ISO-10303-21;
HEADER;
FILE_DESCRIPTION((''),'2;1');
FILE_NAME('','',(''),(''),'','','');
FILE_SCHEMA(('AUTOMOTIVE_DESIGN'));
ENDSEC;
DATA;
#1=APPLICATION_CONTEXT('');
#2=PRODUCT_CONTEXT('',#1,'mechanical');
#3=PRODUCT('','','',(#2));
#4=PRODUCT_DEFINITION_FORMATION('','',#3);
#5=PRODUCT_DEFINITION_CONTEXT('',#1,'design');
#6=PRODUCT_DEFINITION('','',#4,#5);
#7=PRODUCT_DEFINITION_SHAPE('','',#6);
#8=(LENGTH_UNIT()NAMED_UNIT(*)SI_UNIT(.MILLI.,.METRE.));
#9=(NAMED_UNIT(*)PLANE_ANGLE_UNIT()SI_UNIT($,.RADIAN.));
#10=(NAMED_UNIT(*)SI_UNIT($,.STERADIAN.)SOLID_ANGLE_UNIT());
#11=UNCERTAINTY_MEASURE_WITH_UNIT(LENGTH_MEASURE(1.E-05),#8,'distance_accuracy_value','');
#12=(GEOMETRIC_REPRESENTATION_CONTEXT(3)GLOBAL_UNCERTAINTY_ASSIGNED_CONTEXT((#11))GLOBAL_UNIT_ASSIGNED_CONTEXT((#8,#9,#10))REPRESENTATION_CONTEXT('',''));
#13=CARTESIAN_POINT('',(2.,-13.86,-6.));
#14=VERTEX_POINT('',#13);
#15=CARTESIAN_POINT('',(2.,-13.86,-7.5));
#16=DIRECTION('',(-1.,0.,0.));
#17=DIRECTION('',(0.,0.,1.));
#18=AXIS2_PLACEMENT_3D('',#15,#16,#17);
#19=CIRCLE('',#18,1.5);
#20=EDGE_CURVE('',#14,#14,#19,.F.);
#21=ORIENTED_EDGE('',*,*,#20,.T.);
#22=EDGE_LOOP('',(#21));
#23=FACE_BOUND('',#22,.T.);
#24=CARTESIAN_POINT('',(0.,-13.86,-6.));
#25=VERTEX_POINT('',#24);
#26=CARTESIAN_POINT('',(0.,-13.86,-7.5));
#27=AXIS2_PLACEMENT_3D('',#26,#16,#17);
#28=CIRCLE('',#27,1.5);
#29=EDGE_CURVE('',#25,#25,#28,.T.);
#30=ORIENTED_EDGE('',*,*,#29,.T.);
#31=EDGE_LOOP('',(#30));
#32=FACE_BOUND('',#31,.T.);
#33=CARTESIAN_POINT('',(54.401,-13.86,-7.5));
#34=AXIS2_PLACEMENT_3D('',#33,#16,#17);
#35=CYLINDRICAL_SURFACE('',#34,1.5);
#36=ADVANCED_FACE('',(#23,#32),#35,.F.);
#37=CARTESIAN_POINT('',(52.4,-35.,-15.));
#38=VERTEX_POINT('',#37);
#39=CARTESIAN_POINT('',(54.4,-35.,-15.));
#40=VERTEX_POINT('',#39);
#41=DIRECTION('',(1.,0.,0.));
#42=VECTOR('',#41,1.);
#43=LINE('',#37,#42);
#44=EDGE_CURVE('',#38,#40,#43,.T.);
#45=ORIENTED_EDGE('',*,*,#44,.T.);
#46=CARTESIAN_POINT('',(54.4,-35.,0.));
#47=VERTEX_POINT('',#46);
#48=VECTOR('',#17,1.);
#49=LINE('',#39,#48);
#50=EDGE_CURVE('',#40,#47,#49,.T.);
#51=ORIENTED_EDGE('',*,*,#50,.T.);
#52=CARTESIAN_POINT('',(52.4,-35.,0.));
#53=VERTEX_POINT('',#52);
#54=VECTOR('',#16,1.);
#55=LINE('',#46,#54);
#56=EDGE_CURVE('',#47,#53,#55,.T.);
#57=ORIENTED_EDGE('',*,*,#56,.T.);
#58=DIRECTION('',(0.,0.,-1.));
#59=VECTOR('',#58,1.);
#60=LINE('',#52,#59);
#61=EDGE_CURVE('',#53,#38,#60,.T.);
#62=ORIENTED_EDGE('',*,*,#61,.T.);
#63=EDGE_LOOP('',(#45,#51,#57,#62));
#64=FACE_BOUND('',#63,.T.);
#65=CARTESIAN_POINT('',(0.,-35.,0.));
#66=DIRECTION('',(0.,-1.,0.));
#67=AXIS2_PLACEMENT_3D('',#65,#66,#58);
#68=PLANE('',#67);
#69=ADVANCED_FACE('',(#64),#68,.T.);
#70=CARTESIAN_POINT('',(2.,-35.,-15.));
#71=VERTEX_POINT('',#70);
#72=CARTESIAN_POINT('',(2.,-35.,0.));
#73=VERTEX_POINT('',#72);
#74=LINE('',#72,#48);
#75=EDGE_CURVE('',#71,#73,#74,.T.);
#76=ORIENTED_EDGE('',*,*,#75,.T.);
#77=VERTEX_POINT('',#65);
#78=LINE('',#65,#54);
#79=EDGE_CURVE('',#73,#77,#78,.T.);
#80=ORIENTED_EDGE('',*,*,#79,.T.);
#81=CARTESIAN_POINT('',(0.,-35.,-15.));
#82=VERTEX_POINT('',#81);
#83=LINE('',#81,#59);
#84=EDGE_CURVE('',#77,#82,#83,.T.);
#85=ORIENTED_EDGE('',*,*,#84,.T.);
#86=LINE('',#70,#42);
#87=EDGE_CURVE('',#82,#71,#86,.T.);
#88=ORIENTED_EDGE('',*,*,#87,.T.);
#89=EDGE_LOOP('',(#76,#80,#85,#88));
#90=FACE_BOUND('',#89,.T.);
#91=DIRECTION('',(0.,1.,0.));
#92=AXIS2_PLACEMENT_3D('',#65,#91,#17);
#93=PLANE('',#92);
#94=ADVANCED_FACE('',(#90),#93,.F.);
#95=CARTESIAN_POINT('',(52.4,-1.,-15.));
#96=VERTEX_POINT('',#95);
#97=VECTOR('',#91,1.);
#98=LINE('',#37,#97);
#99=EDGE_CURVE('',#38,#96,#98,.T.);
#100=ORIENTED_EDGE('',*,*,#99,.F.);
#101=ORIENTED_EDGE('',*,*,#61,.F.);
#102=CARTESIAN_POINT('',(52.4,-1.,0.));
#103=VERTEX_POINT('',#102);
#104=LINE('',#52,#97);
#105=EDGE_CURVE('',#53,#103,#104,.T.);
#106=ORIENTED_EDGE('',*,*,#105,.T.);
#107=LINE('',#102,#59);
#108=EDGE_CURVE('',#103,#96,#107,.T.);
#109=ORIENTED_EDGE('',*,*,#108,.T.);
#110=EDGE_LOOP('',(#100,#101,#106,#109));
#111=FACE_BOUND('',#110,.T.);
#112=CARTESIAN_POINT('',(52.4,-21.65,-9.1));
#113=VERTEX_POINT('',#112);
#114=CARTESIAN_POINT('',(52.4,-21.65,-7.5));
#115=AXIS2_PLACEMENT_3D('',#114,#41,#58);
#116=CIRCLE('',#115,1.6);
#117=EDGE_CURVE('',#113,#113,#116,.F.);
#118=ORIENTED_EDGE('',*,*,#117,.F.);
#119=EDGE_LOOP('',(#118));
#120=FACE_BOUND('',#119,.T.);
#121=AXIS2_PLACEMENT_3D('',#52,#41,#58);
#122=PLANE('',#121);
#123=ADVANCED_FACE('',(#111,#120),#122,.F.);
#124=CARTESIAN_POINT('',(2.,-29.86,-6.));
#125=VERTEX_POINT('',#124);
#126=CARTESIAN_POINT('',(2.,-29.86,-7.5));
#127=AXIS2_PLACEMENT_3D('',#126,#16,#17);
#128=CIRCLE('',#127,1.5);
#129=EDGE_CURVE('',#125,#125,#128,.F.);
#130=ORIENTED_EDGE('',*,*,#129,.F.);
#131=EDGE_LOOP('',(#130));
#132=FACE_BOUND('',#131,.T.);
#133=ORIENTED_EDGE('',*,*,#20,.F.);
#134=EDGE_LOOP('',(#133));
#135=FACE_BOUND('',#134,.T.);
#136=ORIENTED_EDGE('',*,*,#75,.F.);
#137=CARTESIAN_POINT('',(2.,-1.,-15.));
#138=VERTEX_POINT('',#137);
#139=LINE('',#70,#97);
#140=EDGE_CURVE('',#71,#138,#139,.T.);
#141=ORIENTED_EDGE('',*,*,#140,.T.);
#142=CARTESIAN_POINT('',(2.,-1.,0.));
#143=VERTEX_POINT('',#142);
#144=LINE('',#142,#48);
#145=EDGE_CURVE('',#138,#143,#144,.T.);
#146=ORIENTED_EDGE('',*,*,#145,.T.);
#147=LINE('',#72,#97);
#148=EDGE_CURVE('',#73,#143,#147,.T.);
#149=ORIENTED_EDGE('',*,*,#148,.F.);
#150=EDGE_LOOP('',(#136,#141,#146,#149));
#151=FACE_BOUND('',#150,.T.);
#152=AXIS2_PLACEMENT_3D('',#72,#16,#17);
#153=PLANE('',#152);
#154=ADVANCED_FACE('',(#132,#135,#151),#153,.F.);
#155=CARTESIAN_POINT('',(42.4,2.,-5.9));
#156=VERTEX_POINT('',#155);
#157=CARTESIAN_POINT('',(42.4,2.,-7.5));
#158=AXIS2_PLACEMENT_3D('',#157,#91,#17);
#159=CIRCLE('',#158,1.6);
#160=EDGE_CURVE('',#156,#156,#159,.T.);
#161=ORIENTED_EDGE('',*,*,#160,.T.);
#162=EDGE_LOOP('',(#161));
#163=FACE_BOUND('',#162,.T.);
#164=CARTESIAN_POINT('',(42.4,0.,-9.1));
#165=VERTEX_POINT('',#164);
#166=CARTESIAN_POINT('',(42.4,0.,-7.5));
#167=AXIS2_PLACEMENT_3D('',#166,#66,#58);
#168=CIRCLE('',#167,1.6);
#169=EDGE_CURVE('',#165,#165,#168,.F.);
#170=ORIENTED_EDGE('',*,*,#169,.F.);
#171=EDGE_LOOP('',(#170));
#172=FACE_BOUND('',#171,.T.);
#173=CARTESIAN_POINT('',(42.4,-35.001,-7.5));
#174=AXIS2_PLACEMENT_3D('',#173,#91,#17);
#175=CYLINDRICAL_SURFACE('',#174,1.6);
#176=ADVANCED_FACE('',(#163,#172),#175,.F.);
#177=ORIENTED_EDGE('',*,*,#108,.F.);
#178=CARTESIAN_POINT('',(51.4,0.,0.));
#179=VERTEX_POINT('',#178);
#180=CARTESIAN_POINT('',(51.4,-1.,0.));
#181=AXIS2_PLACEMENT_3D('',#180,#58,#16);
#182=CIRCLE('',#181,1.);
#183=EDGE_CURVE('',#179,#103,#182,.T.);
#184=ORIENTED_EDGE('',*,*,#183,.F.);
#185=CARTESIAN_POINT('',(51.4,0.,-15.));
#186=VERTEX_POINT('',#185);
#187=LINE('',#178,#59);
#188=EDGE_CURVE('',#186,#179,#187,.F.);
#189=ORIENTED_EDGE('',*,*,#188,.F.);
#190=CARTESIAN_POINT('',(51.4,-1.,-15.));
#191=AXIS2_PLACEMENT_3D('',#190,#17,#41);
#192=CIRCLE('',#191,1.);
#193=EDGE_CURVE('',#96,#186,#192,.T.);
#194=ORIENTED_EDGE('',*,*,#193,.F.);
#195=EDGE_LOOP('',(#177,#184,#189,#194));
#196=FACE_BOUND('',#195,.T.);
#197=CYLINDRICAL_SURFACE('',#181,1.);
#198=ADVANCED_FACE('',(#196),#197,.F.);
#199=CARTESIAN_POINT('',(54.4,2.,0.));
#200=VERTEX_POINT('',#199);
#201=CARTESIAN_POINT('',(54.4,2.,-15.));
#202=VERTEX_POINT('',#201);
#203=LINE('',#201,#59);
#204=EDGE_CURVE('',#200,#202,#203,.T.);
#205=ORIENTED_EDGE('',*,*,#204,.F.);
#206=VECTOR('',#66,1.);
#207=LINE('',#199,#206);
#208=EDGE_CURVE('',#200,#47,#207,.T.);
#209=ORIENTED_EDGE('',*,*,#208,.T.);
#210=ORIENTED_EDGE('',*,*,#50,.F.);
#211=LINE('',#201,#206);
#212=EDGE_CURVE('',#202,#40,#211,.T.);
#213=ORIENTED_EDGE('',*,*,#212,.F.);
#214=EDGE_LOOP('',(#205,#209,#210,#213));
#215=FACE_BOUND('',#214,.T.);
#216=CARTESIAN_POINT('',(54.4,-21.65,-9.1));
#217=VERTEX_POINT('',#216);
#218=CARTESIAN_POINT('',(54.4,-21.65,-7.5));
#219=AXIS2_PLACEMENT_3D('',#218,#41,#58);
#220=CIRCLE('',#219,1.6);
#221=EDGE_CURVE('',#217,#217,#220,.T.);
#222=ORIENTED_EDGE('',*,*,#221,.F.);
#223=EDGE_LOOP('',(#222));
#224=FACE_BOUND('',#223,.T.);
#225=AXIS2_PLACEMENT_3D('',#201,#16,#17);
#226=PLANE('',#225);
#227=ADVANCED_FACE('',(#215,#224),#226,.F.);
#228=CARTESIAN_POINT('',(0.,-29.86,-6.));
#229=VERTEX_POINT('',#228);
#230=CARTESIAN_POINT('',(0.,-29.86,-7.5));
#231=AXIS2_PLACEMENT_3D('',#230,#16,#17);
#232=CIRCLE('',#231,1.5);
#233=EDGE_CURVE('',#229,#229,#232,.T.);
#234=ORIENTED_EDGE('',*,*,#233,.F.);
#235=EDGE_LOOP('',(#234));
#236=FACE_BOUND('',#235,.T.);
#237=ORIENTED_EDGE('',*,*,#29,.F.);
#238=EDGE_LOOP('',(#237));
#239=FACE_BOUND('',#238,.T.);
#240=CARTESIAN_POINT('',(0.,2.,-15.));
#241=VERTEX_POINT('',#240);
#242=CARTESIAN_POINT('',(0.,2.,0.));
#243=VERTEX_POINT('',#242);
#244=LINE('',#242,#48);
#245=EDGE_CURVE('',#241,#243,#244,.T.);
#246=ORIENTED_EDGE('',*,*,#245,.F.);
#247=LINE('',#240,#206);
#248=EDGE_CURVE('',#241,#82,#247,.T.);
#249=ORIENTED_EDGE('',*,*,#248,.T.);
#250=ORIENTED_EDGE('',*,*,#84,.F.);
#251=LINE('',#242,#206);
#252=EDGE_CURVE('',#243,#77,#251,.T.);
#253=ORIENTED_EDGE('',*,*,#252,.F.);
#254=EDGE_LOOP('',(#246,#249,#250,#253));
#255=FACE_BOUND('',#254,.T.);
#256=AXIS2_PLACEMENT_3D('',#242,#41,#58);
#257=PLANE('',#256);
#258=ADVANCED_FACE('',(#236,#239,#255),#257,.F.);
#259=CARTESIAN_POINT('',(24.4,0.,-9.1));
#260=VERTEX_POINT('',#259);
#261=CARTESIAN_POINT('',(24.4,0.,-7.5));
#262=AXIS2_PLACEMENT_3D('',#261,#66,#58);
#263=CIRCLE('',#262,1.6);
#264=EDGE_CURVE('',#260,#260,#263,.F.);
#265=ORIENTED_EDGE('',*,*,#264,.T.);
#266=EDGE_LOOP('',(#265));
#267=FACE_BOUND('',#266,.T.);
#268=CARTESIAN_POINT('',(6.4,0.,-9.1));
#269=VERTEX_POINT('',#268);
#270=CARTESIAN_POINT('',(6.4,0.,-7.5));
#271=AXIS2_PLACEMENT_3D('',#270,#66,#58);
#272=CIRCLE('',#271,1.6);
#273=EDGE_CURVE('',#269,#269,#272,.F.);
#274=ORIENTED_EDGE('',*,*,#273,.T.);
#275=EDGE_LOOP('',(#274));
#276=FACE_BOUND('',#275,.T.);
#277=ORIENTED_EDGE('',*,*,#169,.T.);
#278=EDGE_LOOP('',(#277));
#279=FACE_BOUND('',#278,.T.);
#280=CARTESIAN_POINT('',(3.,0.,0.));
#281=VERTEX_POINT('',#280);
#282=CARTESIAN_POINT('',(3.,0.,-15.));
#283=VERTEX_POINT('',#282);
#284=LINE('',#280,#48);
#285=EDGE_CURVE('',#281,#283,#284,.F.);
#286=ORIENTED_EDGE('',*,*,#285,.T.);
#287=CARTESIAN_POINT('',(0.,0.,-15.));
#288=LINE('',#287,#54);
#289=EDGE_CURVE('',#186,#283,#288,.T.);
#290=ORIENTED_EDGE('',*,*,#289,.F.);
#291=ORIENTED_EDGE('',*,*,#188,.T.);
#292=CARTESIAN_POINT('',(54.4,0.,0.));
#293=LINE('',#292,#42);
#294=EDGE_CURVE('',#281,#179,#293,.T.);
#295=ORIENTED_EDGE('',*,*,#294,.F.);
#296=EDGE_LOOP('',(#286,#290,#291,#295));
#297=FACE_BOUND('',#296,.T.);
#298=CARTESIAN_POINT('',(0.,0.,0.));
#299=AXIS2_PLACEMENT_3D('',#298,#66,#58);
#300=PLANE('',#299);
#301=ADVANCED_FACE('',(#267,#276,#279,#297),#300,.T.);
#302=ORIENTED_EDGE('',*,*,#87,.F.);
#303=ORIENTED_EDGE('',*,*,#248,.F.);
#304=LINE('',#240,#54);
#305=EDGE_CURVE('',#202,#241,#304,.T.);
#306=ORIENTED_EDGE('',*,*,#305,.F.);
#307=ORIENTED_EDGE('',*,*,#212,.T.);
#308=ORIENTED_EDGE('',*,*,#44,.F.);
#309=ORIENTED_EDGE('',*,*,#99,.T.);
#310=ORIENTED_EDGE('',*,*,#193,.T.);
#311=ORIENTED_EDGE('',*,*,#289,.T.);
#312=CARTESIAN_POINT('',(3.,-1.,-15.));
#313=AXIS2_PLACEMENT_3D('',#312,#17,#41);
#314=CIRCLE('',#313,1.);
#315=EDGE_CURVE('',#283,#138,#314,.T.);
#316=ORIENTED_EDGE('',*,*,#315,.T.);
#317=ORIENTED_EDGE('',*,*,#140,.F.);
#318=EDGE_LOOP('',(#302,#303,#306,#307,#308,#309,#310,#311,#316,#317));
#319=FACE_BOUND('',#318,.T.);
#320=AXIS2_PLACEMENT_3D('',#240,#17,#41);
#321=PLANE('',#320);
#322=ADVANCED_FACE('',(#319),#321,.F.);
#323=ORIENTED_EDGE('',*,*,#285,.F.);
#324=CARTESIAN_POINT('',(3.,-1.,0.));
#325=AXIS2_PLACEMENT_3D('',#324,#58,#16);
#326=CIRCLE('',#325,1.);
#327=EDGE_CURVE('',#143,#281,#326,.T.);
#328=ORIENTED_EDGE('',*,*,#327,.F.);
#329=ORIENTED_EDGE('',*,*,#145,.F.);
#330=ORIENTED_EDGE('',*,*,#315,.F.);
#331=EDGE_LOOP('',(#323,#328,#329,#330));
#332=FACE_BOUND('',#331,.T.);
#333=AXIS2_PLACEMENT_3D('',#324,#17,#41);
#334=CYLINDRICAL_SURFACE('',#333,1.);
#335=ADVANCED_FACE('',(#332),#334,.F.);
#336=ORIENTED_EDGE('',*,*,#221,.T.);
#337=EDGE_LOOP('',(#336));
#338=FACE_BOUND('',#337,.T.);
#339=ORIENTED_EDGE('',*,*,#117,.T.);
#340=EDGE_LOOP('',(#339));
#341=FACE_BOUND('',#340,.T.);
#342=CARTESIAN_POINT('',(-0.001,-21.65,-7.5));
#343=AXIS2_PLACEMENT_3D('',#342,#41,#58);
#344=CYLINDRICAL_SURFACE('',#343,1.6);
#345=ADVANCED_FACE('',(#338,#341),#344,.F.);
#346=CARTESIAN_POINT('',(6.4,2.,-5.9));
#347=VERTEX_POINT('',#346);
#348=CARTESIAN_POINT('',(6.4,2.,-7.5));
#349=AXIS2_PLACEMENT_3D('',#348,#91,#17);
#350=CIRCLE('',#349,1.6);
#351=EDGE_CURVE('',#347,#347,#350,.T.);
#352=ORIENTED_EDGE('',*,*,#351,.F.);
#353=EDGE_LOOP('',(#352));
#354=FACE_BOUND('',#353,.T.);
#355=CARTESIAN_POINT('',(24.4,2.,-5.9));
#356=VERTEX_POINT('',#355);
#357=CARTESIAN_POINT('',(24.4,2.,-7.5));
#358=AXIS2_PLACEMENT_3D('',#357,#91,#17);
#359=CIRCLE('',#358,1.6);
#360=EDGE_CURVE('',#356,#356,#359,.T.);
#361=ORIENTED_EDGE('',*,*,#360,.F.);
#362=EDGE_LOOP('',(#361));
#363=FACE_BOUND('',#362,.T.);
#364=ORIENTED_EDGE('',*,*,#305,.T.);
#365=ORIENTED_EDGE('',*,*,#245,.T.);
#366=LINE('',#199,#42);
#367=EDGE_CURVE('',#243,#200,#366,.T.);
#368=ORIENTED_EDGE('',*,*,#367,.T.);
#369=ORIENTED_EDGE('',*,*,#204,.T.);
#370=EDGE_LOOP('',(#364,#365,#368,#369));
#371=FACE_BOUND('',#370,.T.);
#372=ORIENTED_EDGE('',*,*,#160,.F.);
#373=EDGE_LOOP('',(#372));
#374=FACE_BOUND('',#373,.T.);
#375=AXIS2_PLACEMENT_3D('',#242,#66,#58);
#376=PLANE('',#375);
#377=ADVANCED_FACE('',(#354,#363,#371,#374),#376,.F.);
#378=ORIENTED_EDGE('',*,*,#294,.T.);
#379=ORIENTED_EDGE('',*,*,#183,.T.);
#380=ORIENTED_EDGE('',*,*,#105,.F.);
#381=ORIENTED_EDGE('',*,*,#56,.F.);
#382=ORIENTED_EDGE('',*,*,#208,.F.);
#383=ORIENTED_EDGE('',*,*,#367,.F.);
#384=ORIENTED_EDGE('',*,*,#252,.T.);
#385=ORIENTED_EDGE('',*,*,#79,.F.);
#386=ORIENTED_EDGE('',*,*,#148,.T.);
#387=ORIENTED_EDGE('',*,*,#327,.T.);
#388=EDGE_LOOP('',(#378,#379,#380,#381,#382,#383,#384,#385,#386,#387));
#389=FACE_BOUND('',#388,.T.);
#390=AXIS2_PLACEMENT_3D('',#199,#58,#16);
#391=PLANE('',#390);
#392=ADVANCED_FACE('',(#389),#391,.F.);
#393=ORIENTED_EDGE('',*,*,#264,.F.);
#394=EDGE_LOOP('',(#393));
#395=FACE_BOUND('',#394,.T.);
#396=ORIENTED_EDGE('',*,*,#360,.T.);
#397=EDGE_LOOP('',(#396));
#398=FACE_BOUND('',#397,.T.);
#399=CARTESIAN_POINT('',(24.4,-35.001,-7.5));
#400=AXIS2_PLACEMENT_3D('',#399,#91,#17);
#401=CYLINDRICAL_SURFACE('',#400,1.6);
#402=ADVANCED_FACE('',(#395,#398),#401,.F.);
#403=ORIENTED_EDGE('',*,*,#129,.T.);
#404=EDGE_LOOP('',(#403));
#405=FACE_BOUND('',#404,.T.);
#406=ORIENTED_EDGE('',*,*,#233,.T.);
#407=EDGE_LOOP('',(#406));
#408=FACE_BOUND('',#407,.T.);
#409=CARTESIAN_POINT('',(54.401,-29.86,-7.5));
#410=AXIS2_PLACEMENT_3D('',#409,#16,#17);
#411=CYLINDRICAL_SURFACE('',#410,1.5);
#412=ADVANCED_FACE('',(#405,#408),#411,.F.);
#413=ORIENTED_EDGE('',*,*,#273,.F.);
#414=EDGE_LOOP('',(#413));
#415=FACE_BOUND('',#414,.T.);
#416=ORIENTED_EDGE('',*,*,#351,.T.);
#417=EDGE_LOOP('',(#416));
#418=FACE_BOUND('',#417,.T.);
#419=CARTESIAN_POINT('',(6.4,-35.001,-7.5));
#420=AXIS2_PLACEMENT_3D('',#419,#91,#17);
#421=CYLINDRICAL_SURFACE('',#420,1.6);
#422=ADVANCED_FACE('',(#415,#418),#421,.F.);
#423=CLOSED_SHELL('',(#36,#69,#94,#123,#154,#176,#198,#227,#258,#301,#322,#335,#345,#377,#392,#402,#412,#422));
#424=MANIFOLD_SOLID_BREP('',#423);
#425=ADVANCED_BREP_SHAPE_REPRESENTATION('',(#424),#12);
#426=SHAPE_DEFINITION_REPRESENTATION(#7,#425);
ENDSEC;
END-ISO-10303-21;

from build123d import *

# Parameters (mm, degrees)
ESQUISSE1_W             = 54.4
ESQUISSE1_H             = 15
BOSS_EXTRU_1_DEPTH      = 2
ESQUISSE2_W             = 2
ESQUISSE2_H             = 15
BOSS_EXTRU_2_DEPTH      = 35
CONG_1_R                = 1
ENL_V_MAT_EXTRU_1_REACH = 68.403
ESQUISSE3_R             = 1.6
ENL_V_MAT_EXTRU_2_REACH = 69.479
ESQUISSE4_R             = 1.6
ENL_V_MAT_EXTRU_3_REACH = 68.403
ESQUISSE6_R             = 1.5


with BuildPart() as part:
    # Esquisse1 → Boss.-Extru.1 (new body)
    with BuildSketch(Plane(origin=(0, 0, 0), x_dir=(1, 0, 0), z_dir=(0, 1, 0))):
        with Locations((27.2, 7.5)):
            Rectangle(ESQUISSE1_W, ESQUISSE1_H)
    extrude(amount=BOSS_EXTRU_1_DEPTH)

    # Esquisse2 → Boss.-Extru.2 (add)
    with BuildSketch(Plane.XZ):
        with Locations((1, -7.5)):
            Rectangle(ESQUISSE2_W, ESQUISSE2_H)
        with Locations((53.4, -7.5)):
            Rectangle(ESQUISSE2_W, ESQUISSE2_H)
    extrude(amount=BOSS_EXTRU_2_DEPTH)

    # Congé1
    cong_1_edges = [part.edges().sort_by_distance(p)[0] for p in [
        (52.4, 0, -7.5),
        (2, 0, -7.5),
    ]]
    fillet(cong_1_edges, radius=CONG_1_R)

    # Esquisse3 → Enlèv. mat.-Extru.1 (cut, up to next)
    with BuildSketch(Plane(origin=(54.4, 0, 0), x_dir=(0, 0, -1), z_dir=(1, 0, 0)), mode=Mode.PRIVATE) as enl_v_mat_extru_1_sk1:
        with Locations((7.5, -21.65)):
            Circle(ESQUISSE3_R)
    enl_v_mat_extru_1_tool1 = extrude(enl_v_mat_extru_1_sk1.sketch, amount=-ENL_V_MAT_EXTRU_1_REACH, mode=Mode.PRIVATE) & part.part
    add(enl_v_mat_extru_1_tool1.solids().sort_by_distance((54.4, -21.65, -7.5))[0], mode=Mode.SUBTRACT)

    # Esquisse4 → Enlèv. mat.-Extru.2 (cut, up to next)
    with BuildSketch(Plane(origin=(0, 2, 0), x_dir=(1, 0, 0), z_dir=(0, 1, 0)), mode=Mode.PRIVATE) as enl_v_mat_extru_2_sk1:
        with Locations(Location((42.4, 7.5, 0), (0, 0, 270))):
            Circle(ESQUISSE4_R)
    enl_v_mat_extru_2_tool1 = extrude(enl_v_mat_extru_2_sk1.sketch, amount=-ENL_V_MAT_EXTRU_2_REACH, mode=Mode.PRIVATE) & part.part
    # Esquisse4 → Enlèv. mat.-Extru.2 (cut, up to next)
    with BuildSketch(Plane(origin=(0, 2, 0), x_dir=(1, 0, 0), z_dir=(0, 1, 0)), mode=Mode.PRIVATE) as enl_v_mat_extru_2_sk2:
        with Locations(Location((6.4, 7.5, 0), (0, 0, 270))):
            Circle(ESQUISSE4_R)
    enl_v_mat_extru_2_tool2 = extrude(enl_v_mat_extru_2_sk2.sketch, amount=-ENL_V_MAT_EXTRU_2_REACH, mode=Mode.PRIVATE) & part.part
    # Esquisse4 → Enlèv. mat.-Extru.2 (cut, up to next)
    with BuildSketch(Plane(origin=(0, 2, 0), x_dir=(1, 0, 0), z_dir=(0, 1, 0)), mode=Mode.PRIVATE) as enl_v_mat_extru_2_sk3:
        with Locations(Location((24.4, 7.5, 0), (0, 0, 270))):
            Circle(ESQUISSE4_R)
    enl_v_mat_extru_2_tool3 = extrude(enl_v_mat_extru_2_sk3.sketch, amount=-ENL_V_MAT_EXTRU_2_REACH, mode=Mode.PRIVATE) & part.part
    add(enl_v_mat_extru_2_tool1.solids().sort_by_distance((42.4, 2, -7.5))[0], mode=Mode.SUBTRACT)
    add(enl_v_mat_extru_2_tool2.solids().sort_by_distance((6.4, 2, -7.5))[0], mode=Mode.SUBTRACT)
    add(enl_v_mat_extru_2_tool3.solids().sort_by_distance((24.4, 2, -7.5))[0], mode=Mode.SUBTRACT)

    # Esquisse6 → Enlèv. mat.-Extru.3 (cut, up to next)
    with BuildSketch(Plane.ZY, mode=Mode.PRIVATE) as enl_v_mat_extru_3_sk1:
        with Locations((-7.5, -13.86)):
            Circle(ESQUISSE6_R)
    enl_v_mat_extru_3_tool1 = extrude(enl_v_mat_extru_3_sk1.sketch, amount=-ENL_V_MAT_EXTRU_3_REACH, mode=Mode.PRIVATE) & part.part
    # Esquisse6 → Enlèv. mat.-Extru.3 (cut, up to next)
    with BuildSketch(Plane.ZY, mode=Mode.PRIVATE) as enl_v_mat_extru_3_sk2:
        with Locations((-7.5, -29.86)):
            Circle(ESQUISSE6_R)
    enl_v_mat_extru_3_tool2 = extrude(enl_v_mat_extru_3_sk2.sketch, amount=-ENL_V_MAT_EXTRU_3_REACH, mode=Mode.PRIVATE) & part.part
    add(enl_v_mat_extru_3_tool1.solids().sort_by_distance((0, -13.86, -7.5))[0], mode=Mode.SUBTRACT)
    add(enl_v_mat_extru_3_tool2.solids().sort_by_distance((0, -29.86, -7.5))[0], mode=Mode.SUBTRACT)


solid = part.part
